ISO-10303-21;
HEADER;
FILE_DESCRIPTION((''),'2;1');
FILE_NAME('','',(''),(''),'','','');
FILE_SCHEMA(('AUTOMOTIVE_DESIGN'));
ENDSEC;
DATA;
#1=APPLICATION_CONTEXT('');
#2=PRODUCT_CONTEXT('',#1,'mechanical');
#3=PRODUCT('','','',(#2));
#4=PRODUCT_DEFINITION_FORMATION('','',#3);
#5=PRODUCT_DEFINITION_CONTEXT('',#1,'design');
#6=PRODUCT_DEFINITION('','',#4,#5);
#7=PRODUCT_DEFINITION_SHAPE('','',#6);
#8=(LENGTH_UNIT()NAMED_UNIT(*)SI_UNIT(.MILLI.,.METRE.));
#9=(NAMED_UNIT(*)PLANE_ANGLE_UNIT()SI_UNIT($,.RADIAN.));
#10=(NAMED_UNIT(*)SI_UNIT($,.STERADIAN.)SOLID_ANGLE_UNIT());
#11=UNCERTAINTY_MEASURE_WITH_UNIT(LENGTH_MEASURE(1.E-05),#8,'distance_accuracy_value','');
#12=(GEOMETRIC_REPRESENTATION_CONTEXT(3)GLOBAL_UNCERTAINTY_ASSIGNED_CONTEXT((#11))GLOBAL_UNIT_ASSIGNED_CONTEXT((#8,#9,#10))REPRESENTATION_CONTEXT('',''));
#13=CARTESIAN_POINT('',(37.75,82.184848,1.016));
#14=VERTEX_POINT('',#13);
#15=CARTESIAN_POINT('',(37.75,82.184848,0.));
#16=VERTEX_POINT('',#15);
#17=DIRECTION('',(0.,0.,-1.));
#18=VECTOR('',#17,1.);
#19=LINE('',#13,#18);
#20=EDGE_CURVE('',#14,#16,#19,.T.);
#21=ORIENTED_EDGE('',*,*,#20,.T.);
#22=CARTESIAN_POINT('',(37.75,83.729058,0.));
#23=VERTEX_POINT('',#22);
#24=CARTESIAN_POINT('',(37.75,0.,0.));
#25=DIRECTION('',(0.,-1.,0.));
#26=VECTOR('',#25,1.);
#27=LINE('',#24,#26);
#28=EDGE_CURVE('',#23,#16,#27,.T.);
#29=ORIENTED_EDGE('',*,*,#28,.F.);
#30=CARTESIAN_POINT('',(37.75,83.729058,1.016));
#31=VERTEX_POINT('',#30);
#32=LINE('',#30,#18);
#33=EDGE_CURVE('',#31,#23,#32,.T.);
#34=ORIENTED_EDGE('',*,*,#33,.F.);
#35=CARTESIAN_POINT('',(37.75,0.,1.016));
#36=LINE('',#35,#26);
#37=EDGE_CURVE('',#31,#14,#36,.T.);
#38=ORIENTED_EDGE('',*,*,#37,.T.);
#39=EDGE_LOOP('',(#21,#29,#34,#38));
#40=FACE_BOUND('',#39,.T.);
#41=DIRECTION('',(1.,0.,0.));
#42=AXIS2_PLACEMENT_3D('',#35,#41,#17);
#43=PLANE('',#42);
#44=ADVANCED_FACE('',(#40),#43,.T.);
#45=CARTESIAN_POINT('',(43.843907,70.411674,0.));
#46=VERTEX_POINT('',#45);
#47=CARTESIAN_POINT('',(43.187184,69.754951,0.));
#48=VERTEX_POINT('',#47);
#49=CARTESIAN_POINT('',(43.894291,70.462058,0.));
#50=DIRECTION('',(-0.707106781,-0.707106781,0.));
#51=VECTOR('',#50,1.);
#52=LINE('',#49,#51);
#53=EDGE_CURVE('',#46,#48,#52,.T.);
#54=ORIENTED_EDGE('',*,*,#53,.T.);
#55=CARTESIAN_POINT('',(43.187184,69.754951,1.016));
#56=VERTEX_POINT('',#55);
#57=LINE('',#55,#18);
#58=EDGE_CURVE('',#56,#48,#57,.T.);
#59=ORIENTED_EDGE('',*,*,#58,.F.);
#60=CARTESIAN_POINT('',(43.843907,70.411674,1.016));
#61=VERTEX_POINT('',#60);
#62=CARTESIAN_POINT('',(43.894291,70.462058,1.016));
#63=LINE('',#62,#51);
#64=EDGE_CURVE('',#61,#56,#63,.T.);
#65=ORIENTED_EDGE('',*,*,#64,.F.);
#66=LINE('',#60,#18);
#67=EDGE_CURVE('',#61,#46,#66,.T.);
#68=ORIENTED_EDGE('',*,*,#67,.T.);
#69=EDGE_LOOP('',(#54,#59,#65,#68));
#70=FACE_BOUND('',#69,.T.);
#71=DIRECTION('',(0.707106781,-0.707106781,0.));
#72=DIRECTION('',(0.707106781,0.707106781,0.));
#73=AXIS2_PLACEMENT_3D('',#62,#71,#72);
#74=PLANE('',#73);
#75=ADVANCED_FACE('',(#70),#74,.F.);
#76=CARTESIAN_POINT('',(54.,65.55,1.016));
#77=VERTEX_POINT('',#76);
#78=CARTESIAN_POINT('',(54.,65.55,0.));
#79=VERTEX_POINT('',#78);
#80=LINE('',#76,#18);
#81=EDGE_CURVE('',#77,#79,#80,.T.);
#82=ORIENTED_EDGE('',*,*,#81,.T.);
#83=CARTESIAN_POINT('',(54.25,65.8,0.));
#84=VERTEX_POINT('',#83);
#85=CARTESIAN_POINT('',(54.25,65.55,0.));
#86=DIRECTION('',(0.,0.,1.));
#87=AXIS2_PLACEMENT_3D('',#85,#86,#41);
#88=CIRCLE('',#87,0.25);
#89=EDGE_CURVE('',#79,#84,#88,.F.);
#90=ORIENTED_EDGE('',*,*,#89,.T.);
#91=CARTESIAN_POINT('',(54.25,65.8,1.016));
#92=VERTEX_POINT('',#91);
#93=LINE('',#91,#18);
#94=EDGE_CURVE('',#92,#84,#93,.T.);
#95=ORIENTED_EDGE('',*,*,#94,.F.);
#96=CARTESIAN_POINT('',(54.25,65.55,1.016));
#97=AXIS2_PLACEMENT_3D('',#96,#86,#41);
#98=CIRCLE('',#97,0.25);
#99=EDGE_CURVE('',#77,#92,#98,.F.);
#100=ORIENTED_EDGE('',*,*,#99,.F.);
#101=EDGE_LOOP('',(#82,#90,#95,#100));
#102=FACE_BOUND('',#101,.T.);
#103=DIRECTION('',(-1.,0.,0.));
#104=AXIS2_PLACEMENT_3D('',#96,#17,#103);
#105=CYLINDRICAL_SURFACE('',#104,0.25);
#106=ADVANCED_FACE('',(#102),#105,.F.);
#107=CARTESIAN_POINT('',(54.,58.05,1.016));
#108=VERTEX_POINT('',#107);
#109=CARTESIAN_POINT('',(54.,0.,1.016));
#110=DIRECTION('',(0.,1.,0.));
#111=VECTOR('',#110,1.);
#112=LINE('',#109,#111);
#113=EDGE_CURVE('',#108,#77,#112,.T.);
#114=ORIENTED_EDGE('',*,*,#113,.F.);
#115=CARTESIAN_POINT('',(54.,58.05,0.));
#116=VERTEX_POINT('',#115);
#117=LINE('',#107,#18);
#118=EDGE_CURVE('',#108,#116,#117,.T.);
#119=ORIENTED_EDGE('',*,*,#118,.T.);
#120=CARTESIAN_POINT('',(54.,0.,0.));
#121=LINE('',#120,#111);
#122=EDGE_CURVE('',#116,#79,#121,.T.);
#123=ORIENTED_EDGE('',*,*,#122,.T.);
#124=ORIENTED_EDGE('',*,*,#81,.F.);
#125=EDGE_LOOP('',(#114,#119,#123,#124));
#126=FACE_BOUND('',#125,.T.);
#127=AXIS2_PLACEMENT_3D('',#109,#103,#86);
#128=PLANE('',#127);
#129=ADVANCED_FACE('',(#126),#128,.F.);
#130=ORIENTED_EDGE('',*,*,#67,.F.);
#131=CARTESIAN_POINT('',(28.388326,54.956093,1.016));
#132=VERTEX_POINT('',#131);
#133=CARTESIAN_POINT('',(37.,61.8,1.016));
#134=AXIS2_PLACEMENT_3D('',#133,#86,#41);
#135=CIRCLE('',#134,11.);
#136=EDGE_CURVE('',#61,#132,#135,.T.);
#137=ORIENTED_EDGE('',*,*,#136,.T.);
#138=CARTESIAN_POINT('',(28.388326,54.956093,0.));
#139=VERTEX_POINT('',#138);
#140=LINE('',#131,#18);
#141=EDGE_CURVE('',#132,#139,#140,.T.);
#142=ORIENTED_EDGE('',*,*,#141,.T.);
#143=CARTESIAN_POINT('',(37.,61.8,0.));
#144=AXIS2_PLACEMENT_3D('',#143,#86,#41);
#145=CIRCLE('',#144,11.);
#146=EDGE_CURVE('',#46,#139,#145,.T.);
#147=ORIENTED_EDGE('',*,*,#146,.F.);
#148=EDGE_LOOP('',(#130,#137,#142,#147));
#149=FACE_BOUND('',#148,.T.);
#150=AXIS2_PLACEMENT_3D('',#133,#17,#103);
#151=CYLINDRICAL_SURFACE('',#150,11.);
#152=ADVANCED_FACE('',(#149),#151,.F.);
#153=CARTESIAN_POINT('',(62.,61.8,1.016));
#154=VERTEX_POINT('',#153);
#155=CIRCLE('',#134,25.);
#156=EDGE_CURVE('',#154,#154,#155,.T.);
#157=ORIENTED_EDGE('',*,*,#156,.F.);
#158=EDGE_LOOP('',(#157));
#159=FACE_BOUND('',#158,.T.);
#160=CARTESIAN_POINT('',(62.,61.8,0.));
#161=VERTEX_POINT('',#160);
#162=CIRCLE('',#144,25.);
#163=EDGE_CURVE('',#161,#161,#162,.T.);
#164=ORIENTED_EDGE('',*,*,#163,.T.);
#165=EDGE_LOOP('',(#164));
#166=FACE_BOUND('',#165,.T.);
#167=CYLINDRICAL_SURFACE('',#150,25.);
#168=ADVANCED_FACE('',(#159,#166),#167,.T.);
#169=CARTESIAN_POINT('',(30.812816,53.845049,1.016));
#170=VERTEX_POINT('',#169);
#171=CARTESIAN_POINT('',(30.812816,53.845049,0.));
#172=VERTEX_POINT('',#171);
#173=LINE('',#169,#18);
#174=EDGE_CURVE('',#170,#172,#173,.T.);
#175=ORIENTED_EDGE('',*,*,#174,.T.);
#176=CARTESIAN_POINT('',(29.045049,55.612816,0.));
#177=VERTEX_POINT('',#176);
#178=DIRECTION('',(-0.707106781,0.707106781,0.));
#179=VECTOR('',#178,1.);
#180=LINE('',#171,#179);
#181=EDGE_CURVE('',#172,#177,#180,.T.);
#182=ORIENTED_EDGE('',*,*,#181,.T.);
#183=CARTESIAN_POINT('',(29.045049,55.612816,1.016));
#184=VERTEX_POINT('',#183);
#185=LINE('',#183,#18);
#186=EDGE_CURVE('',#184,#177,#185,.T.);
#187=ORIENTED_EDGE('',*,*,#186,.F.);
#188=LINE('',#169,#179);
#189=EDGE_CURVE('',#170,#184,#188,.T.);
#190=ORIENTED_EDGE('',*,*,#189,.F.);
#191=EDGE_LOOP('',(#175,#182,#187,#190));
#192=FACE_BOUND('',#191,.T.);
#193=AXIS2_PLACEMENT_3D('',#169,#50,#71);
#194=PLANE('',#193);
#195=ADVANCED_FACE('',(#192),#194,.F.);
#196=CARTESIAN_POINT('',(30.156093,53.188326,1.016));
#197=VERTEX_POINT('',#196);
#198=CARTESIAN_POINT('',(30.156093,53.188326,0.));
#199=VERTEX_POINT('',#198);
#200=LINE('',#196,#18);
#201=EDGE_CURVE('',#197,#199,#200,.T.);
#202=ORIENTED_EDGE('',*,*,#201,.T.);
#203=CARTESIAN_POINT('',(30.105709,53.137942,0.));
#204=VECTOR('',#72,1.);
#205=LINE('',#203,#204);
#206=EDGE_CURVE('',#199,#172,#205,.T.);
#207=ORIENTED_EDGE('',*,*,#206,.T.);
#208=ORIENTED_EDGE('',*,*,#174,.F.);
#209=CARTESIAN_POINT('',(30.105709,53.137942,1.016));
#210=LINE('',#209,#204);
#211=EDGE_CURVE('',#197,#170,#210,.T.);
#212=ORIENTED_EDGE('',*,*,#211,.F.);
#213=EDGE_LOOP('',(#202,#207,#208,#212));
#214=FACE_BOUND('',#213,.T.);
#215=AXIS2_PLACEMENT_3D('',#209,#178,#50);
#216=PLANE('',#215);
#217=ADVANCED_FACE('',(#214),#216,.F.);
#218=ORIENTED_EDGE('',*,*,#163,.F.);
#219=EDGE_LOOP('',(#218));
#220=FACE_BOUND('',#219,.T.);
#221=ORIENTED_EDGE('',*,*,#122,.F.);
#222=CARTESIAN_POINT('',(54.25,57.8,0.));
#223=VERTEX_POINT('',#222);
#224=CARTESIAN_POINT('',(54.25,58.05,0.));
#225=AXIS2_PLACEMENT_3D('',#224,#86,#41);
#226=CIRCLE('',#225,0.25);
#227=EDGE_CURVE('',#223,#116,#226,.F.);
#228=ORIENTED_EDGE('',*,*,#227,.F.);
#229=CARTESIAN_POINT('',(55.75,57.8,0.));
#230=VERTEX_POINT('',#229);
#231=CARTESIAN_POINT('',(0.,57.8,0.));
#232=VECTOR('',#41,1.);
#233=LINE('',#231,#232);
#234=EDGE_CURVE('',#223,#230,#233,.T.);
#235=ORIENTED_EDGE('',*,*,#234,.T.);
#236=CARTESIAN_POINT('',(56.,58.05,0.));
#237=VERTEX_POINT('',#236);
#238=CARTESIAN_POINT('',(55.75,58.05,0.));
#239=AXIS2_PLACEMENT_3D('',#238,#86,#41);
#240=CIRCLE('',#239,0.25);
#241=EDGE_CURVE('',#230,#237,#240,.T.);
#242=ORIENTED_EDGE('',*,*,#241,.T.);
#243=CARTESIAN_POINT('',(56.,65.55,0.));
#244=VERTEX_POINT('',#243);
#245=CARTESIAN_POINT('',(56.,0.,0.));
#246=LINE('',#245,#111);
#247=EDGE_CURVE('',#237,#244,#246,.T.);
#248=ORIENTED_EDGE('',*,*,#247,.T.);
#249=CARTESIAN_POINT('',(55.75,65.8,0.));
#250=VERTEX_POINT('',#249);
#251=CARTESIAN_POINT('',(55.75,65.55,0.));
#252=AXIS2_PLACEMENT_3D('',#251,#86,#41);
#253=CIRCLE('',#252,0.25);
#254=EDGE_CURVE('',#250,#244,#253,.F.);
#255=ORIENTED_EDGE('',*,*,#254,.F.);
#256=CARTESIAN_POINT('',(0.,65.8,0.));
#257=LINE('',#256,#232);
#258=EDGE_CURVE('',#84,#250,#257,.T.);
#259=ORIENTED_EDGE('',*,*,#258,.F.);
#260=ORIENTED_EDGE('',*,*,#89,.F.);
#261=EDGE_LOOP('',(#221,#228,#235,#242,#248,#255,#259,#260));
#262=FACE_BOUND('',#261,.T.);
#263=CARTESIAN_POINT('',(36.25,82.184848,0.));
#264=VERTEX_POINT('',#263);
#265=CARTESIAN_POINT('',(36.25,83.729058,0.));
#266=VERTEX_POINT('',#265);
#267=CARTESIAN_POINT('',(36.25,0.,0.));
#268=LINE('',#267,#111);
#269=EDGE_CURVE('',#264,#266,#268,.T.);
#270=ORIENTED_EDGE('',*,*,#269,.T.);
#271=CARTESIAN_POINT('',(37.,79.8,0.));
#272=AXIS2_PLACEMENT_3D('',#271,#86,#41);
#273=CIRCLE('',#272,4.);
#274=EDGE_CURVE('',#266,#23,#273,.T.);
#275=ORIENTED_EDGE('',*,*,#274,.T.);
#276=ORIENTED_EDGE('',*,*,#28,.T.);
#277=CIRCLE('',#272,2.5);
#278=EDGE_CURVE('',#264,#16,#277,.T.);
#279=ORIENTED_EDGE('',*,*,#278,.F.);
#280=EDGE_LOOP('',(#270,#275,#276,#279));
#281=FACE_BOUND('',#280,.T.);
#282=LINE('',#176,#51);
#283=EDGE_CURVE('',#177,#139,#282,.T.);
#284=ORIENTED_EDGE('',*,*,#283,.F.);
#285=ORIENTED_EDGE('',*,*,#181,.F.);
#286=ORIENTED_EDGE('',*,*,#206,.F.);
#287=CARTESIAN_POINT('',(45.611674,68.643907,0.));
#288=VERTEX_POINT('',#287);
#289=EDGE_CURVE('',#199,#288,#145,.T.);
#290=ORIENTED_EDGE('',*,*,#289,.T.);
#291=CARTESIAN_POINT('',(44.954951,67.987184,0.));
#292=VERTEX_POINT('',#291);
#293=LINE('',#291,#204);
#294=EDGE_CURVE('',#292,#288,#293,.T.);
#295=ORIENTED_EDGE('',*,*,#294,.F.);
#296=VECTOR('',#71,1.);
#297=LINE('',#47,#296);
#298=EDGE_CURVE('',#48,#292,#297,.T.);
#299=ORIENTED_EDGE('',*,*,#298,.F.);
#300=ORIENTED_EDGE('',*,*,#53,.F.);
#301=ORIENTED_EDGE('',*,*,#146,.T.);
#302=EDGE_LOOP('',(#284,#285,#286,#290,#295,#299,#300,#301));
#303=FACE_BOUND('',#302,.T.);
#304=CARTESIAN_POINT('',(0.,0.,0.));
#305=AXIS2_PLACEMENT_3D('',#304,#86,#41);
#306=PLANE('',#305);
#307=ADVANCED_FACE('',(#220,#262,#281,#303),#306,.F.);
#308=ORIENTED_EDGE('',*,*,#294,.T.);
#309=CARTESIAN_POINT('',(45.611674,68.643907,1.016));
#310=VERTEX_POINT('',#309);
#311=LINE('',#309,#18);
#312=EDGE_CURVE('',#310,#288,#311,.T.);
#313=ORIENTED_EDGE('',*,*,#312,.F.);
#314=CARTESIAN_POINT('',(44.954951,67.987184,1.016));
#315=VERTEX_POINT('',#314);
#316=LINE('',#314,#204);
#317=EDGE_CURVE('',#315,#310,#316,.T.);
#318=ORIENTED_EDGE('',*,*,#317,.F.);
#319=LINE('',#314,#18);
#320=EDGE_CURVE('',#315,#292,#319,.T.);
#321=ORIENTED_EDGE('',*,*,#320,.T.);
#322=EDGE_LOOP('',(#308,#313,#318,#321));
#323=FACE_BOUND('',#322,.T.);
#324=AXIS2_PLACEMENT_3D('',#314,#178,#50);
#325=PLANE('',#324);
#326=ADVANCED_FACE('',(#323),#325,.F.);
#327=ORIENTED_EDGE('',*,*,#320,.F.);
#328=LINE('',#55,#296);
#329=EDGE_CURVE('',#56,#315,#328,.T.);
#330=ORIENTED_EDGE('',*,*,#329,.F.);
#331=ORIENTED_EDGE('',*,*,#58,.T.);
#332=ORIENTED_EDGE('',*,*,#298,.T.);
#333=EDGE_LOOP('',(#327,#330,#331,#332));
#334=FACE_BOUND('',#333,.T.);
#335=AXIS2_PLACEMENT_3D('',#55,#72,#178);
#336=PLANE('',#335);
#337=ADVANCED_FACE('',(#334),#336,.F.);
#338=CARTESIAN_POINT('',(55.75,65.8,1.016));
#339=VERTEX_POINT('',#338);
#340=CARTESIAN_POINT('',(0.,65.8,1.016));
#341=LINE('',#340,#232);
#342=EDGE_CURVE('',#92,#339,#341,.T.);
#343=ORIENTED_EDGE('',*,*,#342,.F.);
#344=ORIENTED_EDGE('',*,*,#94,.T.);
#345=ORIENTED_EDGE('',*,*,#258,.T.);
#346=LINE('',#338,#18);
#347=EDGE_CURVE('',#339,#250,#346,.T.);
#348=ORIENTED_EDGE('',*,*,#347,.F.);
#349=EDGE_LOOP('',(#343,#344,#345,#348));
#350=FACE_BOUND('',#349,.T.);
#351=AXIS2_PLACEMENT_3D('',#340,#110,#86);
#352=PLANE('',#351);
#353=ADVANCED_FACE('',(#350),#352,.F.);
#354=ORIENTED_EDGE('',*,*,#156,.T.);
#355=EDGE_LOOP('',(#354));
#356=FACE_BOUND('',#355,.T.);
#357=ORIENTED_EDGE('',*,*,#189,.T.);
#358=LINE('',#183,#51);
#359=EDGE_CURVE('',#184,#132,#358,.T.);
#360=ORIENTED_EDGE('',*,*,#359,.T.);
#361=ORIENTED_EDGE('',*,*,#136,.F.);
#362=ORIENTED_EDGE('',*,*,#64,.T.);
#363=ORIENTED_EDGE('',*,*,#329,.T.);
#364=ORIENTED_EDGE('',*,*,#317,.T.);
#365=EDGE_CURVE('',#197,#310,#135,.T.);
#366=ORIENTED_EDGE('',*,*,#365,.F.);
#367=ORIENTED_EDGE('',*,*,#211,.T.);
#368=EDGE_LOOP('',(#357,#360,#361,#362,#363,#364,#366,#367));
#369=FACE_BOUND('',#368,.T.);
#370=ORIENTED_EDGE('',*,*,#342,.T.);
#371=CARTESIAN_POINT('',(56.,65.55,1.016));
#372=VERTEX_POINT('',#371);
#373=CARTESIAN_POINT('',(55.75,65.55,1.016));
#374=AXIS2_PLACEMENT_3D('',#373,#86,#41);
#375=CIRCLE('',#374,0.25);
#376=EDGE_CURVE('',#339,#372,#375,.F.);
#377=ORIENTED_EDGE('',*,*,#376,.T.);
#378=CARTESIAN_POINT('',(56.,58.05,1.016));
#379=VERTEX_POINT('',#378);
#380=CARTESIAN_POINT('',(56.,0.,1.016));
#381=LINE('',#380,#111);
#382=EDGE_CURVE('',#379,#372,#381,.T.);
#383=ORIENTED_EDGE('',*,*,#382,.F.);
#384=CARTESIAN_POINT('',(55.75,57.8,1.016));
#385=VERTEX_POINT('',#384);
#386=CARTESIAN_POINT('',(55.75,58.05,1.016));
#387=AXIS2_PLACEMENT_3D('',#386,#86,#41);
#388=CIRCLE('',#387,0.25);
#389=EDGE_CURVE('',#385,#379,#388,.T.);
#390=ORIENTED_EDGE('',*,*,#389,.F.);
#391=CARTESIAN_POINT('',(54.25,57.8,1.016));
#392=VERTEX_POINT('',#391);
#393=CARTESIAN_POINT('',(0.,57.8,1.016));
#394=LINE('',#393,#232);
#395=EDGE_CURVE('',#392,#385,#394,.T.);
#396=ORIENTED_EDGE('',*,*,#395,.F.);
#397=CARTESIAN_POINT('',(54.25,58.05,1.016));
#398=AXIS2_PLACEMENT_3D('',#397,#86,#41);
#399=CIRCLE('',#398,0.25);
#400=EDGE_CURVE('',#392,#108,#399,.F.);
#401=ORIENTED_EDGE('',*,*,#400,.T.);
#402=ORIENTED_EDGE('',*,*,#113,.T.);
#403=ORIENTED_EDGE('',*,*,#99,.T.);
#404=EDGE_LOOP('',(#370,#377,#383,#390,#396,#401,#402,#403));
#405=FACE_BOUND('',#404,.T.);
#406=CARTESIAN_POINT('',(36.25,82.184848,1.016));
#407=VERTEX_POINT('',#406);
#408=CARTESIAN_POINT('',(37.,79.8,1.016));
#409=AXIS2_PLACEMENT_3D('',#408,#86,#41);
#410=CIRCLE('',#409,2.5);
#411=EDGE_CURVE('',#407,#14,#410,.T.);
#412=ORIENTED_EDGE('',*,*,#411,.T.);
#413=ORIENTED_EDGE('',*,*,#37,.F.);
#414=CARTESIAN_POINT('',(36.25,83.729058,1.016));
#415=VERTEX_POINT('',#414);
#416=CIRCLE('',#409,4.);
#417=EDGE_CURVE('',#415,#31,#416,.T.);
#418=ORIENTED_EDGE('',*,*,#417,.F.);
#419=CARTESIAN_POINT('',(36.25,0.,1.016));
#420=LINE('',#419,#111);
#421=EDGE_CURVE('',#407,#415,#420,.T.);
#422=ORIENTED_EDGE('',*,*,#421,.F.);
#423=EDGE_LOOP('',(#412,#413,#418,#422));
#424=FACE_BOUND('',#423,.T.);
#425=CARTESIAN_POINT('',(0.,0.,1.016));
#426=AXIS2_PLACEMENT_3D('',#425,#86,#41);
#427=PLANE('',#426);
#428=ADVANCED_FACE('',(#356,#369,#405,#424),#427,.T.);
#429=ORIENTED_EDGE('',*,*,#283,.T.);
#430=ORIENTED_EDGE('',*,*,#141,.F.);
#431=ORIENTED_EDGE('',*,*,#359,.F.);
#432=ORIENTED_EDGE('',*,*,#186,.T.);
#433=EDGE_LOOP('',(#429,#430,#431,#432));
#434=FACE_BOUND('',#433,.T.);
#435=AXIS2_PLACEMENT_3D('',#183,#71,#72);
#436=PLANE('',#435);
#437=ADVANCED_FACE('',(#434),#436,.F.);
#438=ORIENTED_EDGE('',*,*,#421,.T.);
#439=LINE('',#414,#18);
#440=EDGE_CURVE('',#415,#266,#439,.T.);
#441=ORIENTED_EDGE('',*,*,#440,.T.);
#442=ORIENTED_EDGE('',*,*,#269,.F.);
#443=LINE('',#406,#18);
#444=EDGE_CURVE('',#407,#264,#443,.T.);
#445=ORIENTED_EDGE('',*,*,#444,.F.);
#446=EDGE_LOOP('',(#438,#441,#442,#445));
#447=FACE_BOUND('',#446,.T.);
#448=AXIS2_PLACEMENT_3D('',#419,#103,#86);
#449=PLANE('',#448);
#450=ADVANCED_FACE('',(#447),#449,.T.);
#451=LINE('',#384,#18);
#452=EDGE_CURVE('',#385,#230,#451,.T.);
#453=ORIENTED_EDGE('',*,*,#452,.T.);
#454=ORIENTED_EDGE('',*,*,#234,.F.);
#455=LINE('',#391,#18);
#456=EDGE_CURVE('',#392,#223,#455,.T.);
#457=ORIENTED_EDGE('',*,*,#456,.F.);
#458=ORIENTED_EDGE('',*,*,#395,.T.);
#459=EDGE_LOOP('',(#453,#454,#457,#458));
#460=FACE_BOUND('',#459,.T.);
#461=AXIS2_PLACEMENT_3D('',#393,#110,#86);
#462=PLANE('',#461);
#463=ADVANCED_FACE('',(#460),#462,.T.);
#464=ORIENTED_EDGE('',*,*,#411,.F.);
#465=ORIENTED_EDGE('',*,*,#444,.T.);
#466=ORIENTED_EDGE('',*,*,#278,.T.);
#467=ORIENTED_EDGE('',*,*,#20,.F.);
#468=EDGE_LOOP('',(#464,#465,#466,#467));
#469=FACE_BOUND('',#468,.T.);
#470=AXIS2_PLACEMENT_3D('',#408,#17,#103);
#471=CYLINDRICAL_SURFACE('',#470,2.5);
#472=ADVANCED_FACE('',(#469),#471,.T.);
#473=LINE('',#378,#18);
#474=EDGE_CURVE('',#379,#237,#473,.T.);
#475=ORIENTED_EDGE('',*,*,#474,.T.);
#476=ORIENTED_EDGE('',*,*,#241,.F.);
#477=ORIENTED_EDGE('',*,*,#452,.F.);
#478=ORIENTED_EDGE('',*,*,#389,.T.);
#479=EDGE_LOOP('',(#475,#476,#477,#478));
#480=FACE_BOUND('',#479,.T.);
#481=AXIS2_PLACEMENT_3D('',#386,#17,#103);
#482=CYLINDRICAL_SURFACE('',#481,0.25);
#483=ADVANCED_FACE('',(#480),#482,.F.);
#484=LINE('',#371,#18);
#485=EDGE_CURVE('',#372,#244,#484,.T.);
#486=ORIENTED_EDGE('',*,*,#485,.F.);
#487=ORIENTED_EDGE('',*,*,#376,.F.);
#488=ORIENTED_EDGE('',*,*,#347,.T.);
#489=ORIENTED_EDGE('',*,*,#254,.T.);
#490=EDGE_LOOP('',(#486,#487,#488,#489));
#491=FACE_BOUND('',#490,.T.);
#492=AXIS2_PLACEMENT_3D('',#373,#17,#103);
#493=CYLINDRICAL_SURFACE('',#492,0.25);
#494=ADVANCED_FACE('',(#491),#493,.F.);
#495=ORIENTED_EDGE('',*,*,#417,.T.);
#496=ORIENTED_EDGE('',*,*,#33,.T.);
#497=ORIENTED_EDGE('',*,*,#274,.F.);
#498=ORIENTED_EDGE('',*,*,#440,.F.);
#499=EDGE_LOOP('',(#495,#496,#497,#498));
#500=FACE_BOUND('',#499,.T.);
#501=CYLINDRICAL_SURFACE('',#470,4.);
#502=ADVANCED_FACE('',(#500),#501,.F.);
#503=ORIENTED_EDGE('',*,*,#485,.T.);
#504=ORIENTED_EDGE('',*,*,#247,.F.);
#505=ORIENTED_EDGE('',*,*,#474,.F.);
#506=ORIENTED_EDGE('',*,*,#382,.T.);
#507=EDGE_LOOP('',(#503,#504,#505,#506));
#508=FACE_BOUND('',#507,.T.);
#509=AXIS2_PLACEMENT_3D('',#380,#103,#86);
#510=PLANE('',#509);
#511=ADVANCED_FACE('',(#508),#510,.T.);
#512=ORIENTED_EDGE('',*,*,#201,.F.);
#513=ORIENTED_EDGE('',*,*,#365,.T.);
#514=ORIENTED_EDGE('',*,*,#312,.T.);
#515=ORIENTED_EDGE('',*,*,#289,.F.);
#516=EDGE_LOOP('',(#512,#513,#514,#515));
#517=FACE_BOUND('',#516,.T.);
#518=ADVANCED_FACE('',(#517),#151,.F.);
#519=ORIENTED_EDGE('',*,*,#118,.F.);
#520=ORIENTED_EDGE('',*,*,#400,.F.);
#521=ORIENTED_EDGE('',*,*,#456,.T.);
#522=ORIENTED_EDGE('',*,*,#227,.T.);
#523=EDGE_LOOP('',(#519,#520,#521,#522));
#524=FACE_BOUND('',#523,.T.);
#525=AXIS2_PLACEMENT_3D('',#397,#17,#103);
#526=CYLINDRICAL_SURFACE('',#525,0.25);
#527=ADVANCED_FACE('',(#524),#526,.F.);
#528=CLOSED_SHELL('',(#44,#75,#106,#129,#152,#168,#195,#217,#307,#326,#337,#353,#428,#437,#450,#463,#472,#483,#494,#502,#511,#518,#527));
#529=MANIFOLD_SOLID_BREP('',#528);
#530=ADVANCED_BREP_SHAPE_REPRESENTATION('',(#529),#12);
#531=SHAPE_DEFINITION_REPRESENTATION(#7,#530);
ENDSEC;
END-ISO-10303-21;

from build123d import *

# Parameters (mm, degrees)
SKETCH1_R           = 25
BOSS_EXTRUDE1_DEPTH = 1.016
CUT_EXTRUDE1_DEPTH  = 107.673671804


with BuildPart() as part:
    # Sketch1 → Boss-Extrude1 (new body)
    with BuildSketch(Plane.XY):
        with Locations((37.000000001, 61.8)):
            Circle(SKETCH1_R)
        with BuildLine():
            Line((43.843907282, 70.411674235), (43.187184336, 69.754951288))
            Line((43.187184336, 69.754951288), (44.954951289, 67.987184335))
            Line((44.954951289, 67.987184335), (45.611674235, 68.643907282))
            ThreePointArc((45.611674235, 68.643907282), (44.778174594, 54.021825407), (30.156092719, 53.188325765))
            Line((30.156092719, 53.188325765), (30.812815665, 53.845048712))
            Line((30.812815665, 53.845048712), (29.045048712, 55.612815665))
            Line((29.045048712, 55.612815665), (28.388325766, 54.956092718))
            ThreePointArc((28.388325766, 54.956092718), (29.221825408, 69.578174593), (43.843907282, 70.411674235))
        make_face(mode=Mode.SUBTRACT)
    extrude(amount=BOSS_EXTRUDE1_DEPTH)

    # Sketch2 → Cut-Extrude1 (cut, through all)
    with BuildSketch(Plane.XY):
        with BuildLine():
            ThreePointArc((36.250000001, 82.184848004), (37.000000001, 77.3), (37.750000001, 82.184848004))
            Line((37.750000001, 82.184848004), (37.750000001, 83.729058411))
            ThreePointArc((37.750000001, 83.729058411), (37.000000001, 75.8), (36.250000001, 83.729058411))
            Line((36.250000001, 83.729058411), (36.250000001, 82.184848004))
        make_face()
        with BuildLine():
            Line((54.250000001, 57.8), (55.750000001, 57.8))
            ThreePointArc((55.750000001, 57.8), (55.926776696, 57.873223305), (56.000000001, 58.05))
            Line((56.000000001, 58.05), (56.000000001, 65.55))
            ThreePointArc((56.000000001, 65.55), (55.926776696, 65.726776695), (55.750000001, 65.8))
            Line((55.750000001, 65.8), (54.250000001, 65.8))
            ThreePointArc((54.250000001, 65.8), (54.073223305, 65.726776695), (54.000000001, 65.55))
            Line((54.000000001, 65.55), (54.000000001, 58.05))
            ThreePointArc((54.000000001, 58.05), (54.073223305, 57.873223305), (54.250000001, 57.8))
        make_face()
    extrude(amount=CUT_EXTRUDE1_DEPTH, mode=Mode.SUBTRACT)


solid = part.part
